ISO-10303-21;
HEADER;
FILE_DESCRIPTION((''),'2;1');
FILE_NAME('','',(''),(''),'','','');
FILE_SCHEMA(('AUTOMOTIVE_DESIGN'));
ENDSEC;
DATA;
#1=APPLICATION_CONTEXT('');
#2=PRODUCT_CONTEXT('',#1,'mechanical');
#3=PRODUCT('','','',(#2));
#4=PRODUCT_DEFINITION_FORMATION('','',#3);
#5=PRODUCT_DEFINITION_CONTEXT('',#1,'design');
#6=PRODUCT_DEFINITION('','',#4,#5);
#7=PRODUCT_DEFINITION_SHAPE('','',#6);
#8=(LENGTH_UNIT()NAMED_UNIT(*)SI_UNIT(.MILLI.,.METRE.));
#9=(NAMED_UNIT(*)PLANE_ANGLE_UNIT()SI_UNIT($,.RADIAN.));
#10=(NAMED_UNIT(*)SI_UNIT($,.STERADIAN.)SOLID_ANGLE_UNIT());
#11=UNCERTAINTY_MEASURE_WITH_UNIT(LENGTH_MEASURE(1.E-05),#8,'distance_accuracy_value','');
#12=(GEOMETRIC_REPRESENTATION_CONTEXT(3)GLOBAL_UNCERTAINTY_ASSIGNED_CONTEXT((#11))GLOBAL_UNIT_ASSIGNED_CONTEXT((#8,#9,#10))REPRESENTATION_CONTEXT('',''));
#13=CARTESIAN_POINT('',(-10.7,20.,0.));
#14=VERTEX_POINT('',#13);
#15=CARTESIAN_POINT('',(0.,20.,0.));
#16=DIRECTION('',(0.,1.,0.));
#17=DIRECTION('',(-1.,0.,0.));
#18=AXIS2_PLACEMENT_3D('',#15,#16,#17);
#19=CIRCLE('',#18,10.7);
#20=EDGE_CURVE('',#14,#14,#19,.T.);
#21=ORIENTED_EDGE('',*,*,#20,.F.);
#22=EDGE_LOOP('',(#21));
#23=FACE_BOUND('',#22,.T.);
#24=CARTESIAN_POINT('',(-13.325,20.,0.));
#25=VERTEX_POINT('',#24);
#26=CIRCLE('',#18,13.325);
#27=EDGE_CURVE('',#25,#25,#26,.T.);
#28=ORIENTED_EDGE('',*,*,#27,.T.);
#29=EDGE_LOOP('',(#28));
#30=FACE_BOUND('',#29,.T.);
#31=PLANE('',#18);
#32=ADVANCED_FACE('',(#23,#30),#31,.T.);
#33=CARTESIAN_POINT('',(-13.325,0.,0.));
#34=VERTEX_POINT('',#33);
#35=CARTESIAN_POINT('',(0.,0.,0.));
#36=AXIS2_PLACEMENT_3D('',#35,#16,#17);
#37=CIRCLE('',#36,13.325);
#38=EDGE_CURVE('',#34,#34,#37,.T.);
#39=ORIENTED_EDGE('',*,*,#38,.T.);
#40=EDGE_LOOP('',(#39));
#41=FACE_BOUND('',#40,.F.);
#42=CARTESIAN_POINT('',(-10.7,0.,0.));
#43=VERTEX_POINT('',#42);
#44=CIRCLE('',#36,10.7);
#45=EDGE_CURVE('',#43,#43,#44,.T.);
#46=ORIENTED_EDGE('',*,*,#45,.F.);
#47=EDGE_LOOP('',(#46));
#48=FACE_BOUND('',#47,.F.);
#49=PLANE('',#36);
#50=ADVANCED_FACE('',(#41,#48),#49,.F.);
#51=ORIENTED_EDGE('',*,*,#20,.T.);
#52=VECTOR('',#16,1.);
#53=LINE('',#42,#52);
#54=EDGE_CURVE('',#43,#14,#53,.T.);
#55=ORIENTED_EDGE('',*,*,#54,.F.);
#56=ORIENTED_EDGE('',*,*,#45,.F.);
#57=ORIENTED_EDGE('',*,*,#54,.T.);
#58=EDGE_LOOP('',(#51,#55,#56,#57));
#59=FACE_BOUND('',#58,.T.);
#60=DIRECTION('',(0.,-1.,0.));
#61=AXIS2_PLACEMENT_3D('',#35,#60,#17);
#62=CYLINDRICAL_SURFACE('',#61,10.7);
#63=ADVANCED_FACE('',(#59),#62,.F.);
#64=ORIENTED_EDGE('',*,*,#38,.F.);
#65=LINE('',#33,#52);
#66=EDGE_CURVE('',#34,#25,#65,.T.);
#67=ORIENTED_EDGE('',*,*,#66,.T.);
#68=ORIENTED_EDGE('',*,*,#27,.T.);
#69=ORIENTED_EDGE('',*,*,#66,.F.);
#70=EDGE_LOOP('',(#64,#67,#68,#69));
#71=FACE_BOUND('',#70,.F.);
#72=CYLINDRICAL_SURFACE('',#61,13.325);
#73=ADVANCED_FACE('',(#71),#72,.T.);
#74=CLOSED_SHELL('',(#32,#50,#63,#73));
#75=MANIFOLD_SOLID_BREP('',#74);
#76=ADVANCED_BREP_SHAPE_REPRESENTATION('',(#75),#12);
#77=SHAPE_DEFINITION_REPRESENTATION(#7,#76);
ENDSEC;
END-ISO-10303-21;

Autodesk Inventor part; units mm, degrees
ref_plane "YZ Plane" through (0, 0, 0) normal (1, 0, 0) x (0, 1, 0)
ref_plane "XZ Plane" through (0, 0, 0) normal (0, 1, 0) x (-1, 0, 0)
ref_plane "XY Plane" through (0, 0, 0) normal (0, 0, 1) x (1, 0, 0)
sketch "Boceto2" plane through (0, 0, 0) normal (0, 1, 0) x (-1, 0, 0)
  circle A0 centre (0, 0) radius 13.325
  circle A1 centre (0, 0) radius 10.7
  dimension "d1" = 26.65
  dimension "d2" = 21.4
extrude "Extrusión1" add sketch "Boceto2" along normal blind 20
properties part number "Tubo 34 20mm"
